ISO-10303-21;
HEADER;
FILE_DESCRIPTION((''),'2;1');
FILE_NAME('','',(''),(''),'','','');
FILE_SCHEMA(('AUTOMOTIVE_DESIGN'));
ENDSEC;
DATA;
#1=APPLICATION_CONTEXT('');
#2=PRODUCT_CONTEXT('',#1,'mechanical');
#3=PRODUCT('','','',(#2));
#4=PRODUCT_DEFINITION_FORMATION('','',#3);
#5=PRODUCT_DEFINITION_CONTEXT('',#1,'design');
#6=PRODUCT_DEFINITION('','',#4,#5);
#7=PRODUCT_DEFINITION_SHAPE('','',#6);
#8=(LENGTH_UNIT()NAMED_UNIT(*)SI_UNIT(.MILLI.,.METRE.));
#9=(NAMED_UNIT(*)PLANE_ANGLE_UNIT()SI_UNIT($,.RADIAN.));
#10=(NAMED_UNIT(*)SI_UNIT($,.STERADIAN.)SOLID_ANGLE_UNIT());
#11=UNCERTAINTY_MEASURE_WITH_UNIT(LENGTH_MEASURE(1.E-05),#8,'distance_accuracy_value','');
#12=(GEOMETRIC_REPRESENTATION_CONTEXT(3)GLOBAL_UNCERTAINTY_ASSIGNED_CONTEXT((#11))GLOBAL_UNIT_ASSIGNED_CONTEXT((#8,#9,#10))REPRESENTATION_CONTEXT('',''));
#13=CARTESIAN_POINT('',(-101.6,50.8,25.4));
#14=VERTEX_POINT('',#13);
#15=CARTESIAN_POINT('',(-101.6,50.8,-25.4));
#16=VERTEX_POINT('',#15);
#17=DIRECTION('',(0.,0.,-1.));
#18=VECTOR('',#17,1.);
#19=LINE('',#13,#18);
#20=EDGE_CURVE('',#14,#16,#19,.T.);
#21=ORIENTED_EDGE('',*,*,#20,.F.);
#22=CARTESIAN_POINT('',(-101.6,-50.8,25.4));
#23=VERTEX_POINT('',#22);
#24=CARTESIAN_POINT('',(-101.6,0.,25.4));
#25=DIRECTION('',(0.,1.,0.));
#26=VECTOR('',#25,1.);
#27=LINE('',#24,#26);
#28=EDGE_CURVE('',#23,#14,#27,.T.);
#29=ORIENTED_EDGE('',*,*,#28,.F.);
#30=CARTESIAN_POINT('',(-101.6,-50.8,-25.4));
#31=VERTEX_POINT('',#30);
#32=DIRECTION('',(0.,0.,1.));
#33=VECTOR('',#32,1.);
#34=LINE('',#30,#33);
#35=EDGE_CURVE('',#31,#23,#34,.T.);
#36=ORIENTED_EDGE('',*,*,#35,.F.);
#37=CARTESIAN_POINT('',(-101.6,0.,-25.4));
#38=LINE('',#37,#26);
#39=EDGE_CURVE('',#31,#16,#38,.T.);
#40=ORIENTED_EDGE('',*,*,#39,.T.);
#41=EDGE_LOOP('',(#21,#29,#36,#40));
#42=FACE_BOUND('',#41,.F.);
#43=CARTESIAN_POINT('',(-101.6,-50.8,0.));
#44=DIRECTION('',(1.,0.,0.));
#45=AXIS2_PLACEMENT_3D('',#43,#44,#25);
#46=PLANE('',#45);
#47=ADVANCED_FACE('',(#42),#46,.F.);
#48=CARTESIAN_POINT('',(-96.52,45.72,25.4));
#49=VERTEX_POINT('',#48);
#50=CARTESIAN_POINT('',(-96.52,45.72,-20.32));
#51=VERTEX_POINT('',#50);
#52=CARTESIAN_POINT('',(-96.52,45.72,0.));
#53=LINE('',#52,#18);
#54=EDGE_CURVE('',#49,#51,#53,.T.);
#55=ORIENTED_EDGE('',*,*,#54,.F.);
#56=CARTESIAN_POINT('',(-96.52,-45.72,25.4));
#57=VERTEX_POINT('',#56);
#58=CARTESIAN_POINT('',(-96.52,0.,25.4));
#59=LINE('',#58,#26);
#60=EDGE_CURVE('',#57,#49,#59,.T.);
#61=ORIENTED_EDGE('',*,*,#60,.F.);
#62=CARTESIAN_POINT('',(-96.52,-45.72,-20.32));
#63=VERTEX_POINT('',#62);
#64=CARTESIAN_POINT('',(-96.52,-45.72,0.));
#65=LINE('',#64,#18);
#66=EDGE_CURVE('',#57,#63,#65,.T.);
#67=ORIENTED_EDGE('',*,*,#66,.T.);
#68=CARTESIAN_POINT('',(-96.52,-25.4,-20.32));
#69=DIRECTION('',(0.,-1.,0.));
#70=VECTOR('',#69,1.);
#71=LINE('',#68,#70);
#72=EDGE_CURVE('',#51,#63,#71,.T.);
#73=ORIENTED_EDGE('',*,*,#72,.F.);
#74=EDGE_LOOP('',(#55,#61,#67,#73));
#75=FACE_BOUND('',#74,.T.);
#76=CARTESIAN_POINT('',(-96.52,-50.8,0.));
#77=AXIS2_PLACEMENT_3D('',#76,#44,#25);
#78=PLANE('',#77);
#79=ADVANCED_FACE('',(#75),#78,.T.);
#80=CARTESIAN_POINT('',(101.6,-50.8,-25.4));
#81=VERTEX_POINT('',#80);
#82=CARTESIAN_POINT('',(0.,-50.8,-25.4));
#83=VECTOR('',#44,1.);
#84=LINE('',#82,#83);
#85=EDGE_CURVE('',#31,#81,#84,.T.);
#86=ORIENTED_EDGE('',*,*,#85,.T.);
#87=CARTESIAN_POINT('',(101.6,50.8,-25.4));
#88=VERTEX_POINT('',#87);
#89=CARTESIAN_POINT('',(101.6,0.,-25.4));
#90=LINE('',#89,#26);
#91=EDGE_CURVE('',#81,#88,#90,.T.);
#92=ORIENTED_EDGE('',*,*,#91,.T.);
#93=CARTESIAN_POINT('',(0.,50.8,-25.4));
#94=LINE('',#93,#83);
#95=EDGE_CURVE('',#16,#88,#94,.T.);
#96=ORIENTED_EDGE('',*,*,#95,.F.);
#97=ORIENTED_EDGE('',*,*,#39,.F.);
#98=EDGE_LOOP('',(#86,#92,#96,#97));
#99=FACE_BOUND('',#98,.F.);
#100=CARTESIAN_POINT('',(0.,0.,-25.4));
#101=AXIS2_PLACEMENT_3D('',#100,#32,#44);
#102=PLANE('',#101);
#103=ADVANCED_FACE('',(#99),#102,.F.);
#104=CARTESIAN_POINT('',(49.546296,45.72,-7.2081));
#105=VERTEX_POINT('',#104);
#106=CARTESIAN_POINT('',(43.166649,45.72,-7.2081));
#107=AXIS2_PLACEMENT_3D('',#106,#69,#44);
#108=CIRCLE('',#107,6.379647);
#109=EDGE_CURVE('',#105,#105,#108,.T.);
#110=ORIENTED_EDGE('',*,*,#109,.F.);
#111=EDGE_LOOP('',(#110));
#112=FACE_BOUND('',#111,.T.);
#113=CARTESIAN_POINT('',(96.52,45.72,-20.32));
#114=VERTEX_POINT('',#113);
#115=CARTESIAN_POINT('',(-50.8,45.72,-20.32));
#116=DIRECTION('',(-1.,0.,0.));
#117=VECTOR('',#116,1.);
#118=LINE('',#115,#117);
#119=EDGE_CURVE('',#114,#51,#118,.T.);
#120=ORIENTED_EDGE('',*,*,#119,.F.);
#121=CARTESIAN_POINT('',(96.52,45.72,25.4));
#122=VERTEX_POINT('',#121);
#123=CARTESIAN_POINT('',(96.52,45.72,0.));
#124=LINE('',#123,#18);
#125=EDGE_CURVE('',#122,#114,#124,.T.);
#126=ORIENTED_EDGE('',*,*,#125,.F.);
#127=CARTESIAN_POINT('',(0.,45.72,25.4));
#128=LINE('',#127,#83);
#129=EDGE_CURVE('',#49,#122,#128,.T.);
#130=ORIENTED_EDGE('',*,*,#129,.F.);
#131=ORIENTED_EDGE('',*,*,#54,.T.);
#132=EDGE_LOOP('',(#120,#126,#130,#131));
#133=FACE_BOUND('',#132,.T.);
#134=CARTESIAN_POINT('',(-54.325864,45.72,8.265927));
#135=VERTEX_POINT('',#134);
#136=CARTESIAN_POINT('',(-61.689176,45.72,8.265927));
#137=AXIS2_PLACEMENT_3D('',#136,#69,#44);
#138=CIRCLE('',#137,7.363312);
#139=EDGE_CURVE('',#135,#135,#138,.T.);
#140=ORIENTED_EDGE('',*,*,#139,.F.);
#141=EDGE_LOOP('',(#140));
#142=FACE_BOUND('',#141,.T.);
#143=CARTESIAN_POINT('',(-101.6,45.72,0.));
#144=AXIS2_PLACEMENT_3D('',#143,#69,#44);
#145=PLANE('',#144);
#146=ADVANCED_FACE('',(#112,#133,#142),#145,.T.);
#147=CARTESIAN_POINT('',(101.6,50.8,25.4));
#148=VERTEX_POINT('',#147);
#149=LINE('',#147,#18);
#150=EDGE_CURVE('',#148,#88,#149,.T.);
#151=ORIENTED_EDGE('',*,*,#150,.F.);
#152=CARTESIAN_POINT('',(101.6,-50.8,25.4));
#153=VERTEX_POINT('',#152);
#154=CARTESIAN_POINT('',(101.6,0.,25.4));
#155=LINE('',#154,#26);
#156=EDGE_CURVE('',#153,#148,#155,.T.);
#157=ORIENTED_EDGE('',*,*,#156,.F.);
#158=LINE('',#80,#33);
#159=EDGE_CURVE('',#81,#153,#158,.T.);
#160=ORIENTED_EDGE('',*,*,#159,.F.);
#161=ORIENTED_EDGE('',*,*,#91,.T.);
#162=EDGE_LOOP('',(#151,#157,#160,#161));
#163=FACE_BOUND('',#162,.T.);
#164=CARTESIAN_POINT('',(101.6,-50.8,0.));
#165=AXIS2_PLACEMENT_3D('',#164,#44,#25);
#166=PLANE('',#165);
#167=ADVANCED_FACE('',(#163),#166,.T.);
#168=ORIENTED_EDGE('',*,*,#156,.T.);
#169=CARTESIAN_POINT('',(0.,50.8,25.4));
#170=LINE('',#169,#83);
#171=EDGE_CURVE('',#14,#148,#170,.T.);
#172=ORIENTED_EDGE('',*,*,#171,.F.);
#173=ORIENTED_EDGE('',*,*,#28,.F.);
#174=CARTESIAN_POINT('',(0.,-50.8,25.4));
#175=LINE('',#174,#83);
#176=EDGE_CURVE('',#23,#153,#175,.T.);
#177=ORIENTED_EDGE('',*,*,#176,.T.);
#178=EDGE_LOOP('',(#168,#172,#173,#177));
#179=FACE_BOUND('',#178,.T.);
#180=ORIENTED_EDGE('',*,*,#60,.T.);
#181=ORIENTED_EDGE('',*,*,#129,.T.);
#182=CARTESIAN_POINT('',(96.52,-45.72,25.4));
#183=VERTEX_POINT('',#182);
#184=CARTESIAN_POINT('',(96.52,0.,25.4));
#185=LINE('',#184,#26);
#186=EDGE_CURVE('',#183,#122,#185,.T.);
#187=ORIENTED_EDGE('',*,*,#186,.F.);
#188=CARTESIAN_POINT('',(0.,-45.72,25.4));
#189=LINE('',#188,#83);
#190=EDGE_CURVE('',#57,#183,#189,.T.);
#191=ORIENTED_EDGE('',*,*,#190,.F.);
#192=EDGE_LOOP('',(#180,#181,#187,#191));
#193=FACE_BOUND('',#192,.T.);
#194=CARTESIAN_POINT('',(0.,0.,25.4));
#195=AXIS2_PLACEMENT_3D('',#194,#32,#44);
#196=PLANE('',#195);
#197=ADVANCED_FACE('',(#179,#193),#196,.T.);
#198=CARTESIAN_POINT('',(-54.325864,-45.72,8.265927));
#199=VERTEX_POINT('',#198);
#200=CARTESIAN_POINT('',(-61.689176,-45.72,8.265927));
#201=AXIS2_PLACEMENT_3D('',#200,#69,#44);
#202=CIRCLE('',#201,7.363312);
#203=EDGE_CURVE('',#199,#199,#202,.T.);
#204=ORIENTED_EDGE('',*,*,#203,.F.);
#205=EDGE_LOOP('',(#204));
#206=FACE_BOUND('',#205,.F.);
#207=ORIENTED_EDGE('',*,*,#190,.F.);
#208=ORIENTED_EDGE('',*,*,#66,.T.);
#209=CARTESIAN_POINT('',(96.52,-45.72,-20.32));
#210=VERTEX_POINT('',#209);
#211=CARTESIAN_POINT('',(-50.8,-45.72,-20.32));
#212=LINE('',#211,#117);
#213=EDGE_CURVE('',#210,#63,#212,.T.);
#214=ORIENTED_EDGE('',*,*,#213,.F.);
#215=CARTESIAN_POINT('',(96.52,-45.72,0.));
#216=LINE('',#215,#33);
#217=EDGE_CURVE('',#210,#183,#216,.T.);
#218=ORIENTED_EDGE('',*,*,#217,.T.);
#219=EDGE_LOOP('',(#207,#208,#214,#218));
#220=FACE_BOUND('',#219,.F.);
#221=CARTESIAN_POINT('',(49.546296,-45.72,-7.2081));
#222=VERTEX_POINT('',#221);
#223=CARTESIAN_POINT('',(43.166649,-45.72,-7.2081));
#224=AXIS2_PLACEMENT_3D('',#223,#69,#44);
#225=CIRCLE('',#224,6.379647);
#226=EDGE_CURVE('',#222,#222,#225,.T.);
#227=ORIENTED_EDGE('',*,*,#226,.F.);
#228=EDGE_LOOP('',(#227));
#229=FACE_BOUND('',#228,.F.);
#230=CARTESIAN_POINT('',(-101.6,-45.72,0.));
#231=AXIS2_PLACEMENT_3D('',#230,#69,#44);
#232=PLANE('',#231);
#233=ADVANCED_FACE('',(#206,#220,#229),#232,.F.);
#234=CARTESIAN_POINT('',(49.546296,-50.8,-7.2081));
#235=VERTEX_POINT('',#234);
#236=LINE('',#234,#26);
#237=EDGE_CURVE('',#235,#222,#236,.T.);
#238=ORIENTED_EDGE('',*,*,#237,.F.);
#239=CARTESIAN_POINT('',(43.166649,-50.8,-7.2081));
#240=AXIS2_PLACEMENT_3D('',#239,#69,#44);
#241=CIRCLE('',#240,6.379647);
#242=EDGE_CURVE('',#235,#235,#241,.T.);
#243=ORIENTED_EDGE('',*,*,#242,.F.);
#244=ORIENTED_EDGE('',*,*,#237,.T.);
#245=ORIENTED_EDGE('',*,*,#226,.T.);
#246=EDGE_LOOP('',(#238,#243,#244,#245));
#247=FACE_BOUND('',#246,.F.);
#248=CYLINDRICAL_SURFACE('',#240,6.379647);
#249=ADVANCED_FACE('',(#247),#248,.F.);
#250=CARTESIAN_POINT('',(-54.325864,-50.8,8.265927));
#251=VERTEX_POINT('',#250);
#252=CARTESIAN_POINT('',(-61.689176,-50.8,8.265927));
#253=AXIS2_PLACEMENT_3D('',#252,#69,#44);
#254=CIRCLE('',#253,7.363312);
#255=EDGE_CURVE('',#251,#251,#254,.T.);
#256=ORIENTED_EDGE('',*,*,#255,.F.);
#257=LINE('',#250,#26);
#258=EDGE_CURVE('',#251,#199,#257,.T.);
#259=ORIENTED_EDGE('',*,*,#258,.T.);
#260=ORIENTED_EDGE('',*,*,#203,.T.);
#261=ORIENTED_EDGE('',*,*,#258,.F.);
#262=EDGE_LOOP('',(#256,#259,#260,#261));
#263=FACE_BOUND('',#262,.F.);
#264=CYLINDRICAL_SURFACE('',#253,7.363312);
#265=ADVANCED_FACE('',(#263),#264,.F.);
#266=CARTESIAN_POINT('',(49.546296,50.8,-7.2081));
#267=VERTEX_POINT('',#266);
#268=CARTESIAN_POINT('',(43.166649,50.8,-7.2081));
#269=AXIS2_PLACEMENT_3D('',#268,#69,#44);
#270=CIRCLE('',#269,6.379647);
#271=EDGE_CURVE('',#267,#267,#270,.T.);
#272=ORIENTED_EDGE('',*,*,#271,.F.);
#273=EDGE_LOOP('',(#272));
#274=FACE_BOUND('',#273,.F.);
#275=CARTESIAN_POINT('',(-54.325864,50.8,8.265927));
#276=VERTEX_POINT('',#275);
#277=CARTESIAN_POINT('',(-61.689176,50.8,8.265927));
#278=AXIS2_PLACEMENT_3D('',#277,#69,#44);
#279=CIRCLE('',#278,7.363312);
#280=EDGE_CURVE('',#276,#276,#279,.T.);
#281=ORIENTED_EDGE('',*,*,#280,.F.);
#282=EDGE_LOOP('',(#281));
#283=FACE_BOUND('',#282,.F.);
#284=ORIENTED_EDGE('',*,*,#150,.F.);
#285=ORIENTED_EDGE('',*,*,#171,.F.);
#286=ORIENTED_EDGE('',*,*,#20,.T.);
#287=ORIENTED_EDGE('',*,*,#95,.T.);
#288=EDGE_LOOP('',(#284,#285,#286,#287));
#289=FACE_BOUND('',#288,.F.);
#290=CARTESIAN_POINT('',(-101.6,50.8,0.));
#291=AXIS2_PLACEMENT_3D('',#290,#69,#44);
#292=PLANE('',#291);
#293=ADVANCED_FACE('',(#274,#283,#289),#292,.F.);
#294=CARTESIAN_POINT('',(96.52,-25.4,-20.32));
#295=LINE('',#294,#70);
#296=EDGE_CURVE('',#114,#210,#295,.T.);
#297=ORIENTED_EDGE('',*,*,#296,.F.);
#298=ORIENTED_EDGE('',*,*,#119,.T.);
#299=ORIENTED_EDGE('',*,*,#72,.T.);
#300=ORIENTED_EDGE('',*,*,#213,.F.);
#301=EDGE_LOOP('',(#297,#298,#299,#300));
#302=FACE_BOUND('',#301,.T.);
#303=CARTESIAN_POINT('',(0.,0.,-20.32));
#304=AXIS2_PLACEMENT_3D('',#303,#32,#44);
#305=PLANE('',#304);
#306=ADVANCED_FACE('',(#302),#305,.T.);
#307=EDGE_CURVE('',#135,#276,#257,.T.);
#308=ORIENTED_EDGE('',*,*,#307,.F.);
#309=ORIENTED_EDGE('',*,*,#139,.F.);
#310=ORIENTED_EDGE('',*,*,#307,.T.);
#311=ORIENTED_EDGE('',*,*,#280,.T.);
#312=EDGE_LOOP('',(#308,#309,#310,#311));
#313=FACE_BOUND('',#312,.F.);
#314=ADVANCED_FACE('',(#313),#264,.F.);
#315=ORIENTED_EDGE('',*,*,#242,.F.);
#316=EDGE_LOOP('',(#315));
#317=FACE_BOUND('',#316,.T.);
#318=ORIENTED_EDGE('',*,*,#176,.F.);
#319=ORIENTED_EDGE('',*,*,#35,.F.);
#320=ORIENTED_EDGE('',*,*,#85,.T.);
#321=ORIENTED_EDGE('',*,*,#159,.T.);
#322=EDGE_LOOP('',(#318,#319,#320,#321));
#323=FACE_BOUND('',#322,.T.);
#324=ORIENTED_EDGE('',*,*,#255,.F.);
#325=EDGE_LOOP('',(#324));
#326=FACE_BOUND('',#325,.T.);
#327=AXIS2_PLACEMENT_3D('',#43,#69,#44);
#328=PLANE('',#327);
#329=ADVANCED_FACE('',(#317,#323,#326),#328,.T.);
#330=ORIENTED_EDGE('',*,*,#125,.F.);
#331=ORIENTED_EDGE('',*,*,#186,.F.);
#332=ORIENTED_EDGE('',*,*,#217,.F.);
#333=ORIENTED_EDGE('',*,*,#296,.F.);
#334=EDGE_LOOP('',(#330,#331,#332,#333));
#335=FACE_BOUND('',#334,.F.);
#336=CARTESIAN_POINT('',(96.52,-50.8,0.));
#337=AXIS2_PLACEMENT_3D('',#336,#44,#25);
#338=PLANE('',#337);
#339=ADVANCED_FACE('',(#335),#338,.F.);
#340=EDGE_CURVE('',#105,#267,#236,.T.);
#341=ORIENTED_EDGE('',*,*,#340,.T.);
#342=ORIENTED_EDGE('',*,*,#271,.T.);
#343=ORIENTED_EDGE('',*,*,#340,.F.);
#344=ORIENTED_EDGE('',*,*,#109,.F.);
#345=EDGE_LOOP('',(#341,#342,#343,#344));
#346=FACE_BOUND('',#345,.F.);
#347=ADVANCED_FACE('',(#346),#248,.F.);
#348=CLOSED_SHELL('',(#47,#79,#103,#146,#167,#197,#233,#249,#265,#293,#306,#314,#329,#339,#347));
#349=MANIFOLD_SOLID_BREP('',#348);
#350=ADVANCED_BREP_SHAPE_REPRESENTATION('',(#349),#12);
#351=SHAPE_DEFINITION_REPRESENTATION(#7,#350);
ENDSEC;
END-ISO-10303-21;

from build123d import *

# Parameters (mm, degrees)
F0_W          = 203.2
F0_H          = 101.6
F1_DEPTH      = 25.4
F1_DEPTH_BACK = 25.4
F2_T          = -5.08
F3_R          = 7.363312
F3_R_2        = 6.379647
F4_DEPTH      = 101.601


with BuildPart() as f1:
    # F0 (on Top) → F1 (new body, two sides)
    with BuildSketch(Plane.XY) as f1_sk:
        Rectangle(F0_W, F0_H)
    extrude(amount=F1_DEPTH)
    extrude(f1_sk.sketch, amount=-F1_DEPTH_BACK)

    # F2
    f2_openings = [f1.faces().sort_by_distance(p)[0] for p in [
        (0, 0, 25.4),
    ]]
    offset(amount=F2_T, openings=f2_openings)

    # F3 (on face) → F4 (cut, through all)
    with BuildSketch(Plane.XZ.offset(50.8)):
        with Locations((-61.689176, 8.265927)):
            Circle(F3_R)
        with Locations((43.166649, -7.2081)):
            Circle(F3_R_2)
    extrude(amount=-F4_DEPTH, mode=Mode.SUBTRACT)


solid = f1.part
